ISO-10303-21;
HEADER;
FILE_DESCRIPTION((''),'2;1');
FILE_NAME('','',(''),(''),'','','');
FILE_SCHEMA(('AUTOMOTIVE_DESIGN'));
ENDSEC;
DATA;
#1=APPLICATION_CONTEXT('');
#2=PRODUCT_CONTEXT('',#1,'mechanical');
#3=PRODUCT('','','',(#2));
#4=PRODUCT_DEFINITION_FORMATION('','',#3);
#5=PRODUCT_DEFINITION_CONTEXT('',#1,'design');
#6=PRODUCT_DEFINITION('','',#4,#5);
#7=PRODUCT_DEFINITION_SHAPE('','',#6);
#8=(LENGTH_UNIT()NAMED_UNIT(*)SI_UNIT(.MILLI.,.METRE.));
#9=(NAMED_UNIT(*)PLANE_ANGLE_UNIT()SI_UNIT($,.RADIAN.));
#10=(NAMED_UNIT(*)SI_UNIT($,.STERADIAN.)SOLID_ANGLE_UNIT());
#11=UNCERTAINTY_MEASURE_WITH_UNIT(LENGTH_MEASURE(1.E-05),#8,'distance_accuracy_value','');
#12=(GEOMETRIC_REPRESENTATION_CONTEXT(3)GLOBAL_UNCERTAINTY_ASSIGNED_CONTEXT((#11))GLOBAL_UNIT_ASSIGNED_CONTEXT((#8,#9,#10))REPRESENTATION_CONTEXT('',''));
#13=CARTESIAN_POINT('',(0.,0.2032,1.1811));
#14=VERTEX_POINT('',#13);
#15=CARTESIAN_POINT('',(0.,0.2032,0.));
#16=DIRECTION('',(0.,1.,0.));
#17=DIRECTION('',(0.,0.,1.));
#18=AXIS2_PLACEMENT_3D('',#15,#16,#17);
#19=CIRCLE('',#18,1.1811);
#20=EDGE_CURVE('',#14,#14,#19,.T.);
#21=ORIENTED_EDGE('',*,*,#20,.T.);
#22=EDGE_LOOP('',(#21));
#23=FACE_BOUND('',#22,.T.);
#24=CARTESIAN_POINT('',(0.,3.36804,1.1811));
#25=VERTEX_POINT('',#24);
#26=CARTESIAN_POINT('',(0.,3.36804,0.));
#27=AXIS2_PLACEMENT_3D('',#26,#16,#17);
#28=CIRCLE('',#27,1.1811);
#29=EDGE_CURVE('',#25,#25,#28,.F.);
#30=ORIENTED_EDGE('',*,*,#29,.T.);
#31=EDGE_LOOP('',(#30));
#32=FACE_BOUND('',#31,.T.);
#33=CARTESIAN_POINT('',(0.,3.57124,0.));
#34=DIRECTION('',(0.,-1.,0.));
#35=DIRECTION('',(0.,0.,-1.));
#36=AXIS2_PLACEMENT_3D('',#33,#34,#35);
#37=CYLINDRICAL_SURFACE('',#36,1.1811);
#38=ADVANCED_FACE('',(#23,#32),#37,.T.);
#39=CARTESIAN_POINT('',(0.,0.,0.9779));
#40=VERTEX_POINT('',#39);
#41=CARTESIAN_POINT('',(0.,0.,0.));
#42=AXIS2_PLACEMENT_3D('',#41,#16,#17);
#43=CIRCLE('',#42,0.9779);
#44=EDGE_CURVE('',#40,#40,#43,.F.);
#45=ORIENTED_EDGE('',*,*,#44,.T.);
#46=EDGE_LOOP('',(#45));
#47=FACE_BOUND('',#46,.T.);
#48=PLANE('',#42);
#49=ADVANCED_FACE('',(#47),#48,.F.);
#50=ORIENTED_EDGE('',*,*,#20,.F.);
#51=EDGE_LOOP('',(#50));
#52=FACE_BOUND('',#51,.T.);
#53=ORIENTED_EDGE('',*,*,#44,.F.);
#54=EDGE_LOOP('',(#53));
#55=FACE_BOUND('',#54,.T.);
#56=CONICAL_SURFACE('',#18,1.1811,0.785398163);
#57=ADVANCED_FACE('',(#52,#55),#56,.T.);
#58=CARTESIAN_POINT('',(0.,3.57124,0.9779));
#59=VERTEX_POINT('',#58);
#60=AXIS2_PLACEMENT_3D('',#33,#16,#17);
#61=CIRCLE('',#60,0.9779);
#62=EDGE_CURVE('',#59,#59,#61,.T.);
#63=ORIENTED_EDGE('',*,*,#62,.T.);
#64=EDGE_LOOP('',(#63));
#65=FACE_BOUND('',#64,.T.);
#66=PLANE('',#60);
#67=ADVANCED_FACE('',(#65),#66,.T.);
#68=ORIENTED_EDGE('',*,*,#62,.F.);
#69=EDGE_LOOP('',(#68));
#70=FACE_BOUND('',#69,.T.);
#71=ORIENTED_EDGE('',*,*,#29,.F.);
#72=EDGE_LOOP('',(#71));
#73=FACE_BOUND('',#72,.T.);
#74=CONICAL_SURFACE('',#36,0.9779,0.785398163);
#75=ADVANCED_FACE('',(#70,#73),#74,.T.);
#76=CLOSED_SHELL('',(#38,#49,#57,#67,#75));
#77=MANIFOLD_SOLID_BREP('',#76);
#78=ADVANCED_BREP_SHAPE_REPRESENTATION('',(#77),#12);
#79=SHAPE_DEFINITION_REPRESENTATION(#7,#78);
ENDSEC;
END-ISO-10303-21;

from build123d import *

# Parameters (mm, degrees)
SKETCH2_R           = 1.1811
BOSS_EXTRUDE1_DEPTH = 3.57124
FILLET1_SIZE        = 0.2032


with BuildPart() as part:
    # Sketch2 → Boss-Extrude1 (new body)
    with BuildSketch(Plane(origin=(0, 0, 0), x_dir=(1, 0, 0), z_dir=(0, 1, 0))):
        with Locations(Location((0, 0, 0), (0, 0, 270))):
            Circle(SKETCH2_R)
    extrude(amount=BOSS_EXTRUDE1_DEPTH)

    # Fillet1
    fillet1_edges = [part.edges().sort_by_distance(p)[0] for p in [
        (0, 0, -1.1811),
        (0, 3.57124, -1.1811),
    ]]
    chamfer(fillet1_edges, length=FILLET1_SIZE)


solid = part.part
